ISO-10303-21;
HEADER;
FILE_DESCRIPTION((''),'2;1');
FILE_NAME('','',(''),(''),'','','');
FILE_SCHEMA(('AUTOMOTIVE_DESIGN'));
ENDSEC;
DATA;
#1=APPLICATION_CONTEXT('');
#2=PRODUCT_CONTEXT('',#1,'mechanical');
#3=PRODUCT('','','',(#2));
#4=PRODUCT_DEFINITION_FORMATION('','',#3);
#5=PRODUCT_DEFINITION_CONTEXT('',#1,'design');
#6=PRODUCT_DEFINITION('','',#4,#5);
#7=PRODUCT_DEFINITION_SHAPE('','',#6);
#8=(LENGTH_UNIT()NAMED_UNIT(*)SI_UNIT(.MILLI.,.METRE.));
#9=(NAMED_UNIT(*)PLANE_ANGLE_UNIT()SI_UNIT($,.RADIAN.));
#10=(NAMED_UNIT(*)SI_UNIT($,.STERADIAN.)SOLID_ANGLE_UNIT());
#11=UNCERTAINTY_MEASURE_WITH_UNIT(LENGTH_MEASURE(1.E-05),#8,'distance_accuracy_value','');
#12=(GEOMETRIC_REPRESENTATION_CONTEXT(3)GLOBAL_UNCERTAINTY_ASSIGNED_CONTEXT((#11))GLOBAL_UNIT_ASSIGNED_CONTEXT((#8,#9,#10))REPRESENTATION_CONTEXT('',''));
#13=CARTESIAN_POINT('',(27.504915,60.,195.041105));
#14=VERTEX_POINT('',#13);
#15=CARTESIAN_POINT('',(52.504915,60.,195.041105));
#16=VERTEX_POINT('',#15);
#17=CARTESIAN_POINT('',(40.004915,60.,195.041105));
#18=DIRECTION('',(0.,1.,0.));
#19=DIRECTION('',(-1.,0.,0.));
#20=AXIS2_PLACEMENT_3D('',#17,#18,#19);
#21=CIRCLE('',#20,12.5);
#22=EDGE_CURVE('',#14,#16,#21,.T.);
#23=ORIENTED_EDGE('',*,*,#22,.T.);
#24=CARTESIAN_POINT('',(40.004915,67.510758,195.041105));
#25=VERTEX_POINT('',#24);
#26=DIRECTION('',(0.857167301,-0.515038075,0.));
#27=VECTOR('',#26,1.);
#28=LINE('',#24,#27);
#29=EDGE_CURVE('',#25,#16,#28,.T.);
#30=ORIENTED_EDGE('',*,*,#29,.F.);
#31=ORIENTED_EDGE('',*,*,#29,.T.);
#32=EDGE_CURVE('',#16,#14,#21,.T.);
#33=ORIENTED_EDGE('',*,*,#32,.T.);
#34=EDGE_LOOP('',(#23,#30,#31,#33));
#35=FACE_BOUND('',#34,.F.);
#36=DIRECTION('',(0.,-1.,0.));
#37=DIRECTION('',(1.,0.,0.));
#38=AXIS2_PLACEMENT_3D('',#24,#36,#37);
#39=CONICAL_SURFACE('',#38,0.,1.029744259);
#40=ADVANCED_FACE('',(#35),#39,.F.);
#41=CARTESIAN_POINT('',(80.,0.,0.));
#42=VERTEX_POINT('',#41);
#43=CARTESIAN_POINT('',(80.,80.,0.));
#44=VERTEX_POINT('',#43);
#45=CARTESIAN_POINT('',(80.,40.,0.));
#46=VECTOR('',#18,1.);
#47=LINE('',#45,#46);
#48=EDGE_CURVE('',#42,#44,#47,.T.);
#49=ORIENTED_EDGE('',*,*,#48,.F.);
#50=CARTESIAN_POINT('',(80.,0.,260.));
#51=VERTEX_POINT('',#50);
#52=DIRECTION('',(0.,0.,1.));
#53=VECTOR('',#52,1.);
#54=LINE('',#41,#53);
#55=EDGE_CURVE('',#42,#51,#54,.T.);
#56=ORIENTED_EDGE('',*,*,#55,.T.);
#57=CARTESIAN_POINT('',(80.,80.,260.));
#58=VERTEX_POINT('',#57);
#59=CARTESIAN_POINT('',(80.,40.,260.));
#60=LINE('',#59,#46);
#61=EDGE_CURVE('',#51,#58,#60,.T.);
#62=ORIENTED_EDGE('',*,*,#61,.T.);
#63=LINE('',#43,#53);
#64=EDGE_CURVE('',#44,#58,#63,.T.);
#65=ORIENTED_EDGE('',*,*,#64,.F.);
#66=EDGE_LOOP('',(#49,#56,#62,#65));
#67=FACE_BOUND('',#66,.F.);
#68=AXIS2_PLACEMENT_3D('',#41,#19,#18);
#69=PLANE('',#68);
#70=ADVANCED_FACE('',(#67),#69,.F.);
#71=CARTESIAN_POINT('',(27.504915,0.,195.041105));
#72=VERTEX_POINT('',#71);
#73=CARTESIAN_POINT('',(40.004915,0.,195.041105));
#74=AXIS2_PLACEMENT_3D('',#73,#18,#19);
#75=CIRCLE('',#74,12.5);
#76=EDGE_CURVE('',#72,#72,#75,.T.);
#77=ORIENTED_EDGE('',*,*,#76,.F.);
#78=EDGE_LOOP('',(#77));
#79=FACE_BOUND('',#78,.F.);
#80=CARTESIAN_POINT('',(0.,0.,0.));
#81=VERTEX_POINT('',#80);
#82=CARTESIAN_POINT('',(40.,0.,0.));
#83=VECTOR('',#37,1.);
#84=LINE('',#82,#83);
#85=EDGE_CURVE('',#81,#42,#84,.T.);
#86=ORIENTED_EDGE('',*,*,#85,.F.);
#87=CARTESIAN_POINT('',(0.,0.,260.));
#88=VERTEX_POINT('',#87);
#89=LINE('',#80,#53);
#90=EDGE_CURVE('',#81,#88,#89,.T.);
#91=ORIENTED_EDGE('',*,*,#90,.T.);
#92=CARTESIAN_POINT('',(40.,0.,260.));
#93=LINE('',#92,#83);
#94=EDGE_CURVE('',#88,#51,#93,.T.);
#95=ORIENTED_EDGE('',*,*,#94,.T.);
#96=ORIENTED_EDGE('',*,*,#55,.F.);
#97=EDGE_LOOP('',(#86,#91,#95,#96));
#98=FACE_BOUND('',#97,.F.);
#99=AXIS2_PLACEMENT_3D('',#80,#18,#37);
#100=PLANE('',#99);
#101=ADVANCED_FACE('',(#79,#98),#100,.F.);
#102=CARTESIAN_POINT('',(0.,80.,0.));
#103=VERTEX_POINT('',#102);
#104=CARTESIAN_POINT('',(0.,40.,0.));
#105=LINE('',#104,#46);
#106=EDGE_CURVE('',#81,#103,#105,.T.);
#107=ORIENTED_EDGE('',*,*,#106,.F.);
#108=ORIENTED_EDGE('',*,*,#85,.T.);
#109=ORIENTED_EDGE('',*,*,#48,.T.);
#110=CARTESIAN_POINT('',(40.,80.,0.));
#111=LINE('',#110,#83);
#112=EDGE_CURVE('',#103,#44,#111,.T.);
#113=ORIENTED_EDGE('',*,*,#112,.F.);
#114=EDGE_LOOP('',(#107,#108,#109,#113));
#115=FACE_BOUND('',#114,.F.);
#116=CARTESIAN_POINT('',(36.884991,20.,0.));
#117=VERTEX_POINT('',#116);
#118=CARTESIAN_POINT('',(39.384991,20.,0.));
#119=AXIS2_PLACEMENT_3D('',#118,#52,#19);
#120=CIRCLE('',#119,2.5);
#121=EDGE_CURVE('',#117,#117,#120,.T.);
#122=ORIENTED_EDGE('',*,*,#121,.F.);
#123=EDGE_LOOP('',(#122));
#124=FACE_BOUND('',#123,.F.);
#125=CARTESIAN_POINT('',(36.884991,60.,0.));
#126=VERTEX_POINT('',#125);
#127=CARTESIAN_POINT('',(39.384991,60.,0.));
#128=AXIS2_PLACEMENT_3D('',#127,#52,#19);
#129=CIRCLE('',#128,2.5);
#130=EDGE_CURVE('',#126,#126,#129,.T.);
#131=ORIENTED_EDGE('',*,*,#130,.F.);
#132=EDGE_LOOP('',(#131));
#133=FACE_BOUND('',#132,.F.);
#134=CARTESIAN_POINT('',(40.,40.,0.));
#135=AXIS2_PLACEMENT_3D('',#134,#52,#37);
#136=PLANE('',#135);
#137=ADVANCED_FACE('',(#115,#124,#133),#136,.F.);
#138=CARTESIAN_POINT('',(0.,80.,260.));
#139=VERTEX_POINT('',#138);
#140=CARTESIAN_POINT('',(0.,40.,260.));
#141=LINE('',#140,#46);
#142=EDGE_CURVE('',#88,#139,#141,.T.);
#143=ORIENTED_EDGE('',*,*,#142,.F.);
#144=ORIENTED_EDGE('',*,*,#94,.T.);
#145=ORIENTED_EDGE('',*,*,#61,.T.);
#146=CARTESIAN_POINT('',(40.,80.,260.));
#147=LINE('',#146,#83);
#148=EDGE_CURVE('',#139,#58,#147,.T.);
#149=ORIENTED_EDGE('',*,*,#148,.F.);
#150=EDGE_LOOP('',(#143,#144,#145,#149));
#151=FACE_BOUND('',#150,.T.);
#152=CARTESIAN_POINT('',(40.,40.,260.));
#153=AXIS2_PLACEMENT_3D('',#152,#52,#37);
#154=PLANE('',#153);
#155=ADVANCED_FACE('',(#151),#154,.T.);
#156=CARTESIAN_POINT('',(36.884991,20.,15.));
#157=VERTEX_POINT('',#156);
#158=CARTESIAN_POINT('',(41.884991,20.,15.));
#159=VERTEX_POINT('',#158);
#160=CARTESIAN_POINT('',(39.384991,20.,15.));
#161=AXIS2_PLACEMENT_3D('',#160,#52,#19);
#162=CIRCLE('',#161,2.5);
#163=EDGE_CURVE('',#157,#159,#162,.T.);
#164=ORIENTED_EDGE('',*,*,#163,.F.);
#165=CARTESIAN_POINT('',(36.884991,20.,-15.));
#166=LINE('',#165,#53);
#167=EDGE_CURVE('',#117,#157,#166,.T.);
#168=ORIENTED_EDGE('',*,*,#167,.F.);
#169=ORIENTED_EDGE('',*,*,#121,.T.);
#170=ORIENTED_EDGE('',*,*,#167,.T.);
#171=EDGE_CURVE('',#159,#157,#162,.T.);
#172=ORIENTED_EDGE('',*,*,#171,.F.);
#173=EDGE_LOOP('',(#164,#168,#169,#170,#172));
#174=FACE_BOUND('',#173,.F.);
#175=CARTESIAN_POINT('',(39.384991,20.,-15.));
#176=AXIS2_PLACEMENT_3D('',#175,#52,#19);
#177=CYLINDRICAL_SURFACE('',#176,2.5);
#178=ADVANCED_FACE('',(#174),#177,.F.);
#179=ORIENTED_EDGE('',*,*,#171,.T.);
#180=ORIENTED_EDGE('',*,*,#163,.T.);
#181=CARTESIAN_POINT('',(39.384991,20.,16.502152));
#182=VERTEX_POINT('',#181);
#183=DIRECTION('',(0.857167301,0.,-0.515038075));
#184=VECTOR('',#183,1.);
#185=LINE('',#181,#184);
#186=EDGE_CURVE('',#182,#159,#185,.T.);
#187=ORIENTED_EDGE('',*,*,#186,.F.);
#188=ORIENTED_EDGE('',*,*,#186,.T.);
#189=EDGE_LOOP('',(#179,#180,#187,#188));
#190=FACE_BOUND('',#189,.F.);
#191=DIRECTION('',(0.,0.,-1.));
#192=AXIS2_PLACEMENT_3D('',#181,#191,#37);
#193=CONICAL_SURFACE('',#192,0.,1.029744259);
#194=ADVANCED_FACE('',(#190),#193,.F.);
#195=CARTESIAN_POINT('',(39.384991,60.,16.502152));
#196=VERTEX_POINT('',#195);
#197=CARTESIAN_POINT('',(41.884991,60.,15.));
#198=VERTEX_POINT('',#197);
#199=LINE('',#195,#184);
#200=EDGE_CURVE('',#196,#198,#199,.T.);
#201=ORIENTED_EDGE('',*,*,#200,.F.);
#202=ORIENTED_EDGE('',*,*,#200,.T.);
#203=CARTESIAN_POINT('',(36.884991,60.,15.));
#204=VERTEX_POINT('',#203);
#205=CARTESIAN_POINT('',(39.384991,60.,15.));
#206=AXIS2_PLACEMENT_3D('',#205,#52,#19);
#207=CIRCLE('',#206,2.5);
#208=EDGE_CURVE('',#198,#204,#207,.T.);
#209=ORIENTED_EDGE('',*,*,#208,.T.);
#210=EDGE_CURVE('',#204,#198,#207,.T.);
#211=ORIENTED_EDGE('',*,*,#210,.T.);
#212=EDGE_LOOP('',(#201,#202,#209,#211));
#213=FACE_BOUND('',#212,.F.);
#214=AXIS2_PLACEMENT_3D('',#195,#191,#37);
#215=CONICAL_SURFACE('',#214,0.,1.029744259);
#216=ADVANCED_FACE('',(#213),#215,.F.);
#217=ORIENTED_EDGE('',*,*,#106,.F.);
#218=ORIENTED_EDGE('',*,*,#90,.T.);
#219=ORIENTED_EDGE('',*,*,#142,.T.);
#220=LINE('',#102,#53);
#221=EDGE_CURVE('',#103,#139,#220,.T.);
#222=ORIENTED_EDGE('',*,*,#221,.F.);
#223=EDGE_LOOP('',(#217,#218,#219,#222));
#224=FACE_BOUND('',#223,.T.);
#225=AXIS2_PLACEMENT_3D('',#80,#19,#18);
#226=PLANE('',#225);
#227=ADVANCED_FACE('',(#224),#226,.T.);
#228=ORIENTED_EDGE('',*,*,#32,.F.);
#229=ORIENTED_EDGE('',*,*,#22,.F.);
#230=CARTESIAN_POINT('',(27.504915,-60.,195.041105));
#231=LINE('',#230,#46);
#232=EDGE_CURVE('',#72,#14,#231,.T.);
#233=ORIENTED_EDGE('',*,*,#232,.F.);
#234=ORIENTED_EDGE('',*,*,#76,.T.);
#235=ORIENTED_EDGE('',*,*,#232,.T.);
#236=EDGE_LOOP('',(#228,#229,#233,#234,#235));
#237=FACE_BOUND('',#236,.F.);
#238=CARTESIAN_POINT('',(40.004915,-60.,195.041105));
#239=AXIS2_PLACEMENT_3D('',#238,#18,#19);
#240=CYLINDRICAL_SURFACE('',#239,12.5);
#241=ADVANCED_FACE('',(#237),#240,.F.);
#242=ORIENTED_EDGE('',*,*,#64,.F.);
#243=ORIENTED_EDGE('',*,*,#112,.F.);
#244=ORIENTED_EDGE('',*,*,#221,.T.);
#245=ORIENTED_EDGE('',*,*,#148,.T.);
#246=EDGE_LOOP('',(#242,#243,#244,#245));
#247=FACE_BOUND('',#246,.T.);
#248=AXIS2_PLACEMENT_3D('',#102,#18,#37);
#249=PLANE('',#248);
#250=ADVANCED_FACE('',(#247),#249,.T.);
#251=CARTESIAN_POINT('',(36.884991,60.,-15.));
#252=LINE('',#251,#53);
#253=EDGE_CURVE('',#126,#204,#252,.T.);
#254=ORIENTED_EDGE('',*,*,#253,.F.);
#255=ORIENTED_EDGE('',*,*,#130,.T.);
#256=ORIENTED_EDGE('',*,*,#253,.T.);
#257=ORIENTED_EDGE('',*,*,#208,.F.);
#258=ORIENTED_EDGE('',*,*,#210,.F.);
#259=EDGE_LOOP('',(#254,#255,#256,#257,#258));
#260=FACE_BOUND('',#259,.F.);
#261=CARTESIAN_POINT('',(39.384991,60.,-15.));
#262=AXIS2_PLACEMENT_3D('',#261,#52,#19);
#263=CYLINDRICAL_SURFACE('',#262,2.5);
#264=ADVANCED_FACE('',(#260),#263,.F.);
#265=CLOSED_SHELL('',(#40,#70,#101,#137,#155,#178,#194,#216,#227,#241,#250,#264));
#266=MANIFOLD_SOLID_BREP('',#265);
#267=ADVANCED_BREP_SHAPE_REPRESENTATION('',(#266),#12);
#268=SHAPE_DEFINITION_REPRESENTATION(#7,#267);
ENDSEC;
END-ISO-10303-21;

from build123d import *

# Parameters (mm, degrees)
F0_W     = 80
F0_H     = 80
F1_DEPTH = 260
F3_D     = 25
F3_DEPTH = 60
F3_TIP   = 7.5107577378
F5_D     = 5
F5_DEPTH = 15
F5_TIP   = 1.5021515476


with BuildPart() as f1:
    # F0 (on Top) → F1 (new body)
    with BuildSketch(Plane.XY):
        with Locations((40, 40)):
            Rectangle(F0_W, F0_H)
    extrude(amount=F1_DEPTH)

    # F3
    with Locations(Plane.XZ):
        with Locations((40.004914752, 195.0411053359)):
            Hole(F3_D / 2, depth=F3_DEPTH)
            with Locations((0, 0, -(F3_DEPTH + F3_TIP / 2))):  # 118° drill point
                Cone(0, F3_D / 2, F3_TIP, mode=Mode.SUBTRACT)

    # F5
    with Locations(Plane(origin=(0, 0, 0), x_dir=(1, 0, 0), z_dir=(0, 0, -1))):
        with Locations((39.3849909306, -20), (39.3849909306, -60)):
            Hole(F5_D / 2, depth=F5_DEPTH)
            with Locations((0, 0, -(F5_DEPTH + F5_TIP / 2))):  # 118° drill point
                Cone(0, F5_D / 2, F5_TIP, mode=Mode.SUBTRACT)


solid = f1.part
